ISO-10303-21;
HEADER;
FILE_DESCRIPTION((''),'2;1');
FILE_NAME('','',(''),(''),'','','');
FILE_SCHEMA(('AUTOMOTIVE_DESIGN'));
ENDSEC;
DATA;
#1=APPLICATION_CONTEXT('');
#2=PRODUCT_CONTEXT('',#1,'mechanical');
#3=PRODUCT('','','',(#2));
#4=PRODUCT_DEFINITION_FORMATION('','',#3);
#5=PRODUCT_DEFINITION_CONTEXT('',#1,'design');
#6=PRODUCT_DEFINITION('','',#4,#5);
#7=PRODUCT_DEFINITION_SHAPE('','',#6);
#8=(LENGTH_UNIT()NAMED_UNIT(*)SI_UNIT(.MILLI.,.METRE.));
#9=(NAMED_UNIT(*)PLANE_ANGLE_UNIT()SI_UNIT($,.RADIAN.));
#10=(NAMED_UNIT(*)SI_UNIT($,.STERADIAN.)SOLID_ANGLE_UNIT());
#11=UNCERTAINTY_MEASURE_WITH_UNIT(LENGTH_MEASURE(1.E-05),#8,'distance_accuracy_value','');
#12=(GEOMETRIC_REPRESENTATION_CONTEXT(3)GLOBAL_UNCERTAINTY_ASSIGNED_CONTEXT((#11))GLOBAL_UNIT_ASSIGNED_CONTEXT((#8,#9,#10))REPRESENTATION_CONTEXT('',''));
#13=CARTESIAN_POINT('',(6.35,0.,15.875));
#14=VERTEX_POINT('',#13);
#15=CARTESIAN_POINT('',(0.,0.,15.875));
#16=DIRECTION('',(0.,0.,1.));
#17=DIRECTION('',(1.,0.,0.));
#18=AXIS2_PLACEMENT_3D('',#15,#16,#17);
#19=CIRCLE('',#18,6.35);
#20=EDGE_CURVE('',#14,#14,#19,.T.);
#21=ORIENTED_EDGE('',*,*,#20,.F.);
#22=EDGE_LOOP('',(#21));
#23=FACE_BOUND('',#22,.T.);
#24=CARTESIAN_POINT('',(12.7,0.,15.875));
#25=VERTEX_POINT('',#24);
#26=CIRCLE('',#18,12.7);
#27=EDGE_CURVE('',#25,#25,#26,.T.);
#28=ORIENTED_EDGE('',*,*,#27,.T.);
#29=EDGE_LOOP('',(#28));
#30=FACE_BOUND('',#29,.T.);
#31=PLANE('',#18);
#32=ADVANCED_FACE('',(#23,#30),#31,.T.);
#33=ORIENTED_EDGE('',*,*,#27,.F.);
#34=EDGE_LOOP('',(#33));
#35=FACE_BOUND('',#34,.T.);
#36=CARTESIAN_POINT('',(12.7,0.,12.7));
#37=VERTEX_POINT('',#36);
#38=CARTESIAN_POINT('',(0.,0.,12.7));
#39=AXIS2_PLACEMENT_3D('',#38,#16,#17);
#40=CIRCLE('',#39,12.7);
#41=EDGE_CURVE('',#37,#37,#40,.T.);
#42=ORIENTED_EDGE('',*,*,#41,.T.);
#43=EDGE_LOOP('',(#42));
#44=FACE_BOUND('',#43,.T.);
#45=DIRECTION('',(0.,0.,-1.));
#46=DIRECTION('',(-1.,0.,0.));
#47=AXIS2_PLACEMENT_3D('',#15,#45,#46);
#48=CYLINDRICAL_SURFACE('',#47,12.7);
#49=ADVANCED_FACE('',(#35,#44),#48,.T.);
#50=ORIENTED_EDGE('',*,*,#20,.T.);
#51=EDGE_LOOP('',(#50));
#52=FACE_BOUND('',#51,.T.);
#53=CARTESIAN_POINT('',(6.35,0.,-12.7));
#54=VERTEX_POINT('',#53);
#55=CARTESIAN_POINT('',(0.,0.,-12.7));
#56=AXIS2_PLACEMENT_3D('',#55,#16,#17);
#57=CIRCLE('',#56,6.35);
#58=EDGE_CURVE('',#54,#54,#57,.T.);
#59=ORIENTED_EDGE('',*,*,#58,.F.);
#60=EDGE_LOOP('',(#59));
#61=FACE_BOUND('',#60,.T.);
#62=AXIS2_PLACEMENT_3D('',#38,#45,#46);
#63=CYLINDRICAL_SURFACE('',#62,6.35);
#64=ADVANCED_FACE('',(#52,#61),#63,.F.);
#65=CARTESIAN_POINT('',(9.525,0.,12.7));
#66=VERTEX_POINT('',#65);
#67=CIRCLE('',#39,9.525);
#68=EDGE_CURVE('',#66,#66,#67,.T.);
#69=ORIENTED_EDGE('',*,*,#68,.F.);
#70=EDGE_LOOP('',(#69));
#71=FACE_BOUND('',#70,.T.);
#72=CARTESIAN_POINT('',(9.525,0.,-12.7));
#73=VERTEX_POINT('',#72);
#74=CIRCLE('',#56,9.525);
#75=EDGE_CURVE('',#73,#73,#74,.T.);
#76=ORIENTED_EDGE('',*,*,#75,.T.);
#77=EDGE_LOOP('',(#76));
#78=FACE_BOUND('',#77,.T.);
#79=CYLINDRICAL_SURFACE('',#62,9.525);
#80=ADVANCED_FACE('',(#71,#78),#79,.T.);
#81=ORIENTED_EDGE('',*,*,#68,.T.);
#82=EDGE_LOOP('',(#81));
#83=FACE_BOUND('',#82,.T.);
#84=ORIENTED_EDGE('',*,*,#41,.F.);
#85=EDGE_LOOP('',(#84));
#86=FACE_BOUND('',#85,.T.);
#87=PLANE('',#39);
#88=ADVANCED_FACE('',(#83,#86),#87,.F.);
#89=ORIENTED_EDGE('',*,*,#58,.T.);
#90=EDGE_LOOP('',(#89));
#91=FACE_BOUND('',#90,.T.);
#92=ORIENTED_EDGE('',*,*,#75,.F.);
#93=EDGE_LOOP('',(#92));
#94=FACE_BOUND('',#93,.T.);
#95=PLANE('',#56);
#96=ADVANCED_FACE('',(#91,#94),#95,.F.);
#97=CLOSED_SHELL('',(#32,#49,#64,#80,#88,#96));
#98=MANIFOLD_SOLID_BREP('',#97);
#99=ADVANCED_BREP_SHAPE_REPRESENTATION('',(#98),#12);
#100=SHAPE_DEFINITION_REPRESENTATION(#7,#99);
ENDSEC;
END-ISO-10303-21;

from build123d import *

# Parameters (mm, degrees)
SKETCH1_R           = 9.525
SKETCH1_R_2         = 6.35
BOSS_EXTRUDE1_DEPTH = 12.7
SKETCH2_R           = 12.7
SKETCH2_R_2         = 6.35
BOSS_EXTRUDE2_DEPTH = 3.175


with BuildPart() as part:
    # Sketch1 → Boss-Extrude1 (new, symmetric)
    with BuildSketch(Plane.XY):
        Circle(SKETCH1_R)
        Circle(SKETCH1_R_2, mode=Mode.SUBTRACT)
    extrude(amount=BOSS_EXTRUDE1_DEPTH, both=True)

    # Sketch2 → Boss-Extrude2 (add)
    with BuildSketch(Plane.XY.offset(12.7)):
        Circle(SKETCH2_R)
        Circle(SKETCH2_R_2, mode=Mode.SUBTRACT)
    extrude(amount=BOSS_EXTRUDE2_DEPTH)


solid = part.part
